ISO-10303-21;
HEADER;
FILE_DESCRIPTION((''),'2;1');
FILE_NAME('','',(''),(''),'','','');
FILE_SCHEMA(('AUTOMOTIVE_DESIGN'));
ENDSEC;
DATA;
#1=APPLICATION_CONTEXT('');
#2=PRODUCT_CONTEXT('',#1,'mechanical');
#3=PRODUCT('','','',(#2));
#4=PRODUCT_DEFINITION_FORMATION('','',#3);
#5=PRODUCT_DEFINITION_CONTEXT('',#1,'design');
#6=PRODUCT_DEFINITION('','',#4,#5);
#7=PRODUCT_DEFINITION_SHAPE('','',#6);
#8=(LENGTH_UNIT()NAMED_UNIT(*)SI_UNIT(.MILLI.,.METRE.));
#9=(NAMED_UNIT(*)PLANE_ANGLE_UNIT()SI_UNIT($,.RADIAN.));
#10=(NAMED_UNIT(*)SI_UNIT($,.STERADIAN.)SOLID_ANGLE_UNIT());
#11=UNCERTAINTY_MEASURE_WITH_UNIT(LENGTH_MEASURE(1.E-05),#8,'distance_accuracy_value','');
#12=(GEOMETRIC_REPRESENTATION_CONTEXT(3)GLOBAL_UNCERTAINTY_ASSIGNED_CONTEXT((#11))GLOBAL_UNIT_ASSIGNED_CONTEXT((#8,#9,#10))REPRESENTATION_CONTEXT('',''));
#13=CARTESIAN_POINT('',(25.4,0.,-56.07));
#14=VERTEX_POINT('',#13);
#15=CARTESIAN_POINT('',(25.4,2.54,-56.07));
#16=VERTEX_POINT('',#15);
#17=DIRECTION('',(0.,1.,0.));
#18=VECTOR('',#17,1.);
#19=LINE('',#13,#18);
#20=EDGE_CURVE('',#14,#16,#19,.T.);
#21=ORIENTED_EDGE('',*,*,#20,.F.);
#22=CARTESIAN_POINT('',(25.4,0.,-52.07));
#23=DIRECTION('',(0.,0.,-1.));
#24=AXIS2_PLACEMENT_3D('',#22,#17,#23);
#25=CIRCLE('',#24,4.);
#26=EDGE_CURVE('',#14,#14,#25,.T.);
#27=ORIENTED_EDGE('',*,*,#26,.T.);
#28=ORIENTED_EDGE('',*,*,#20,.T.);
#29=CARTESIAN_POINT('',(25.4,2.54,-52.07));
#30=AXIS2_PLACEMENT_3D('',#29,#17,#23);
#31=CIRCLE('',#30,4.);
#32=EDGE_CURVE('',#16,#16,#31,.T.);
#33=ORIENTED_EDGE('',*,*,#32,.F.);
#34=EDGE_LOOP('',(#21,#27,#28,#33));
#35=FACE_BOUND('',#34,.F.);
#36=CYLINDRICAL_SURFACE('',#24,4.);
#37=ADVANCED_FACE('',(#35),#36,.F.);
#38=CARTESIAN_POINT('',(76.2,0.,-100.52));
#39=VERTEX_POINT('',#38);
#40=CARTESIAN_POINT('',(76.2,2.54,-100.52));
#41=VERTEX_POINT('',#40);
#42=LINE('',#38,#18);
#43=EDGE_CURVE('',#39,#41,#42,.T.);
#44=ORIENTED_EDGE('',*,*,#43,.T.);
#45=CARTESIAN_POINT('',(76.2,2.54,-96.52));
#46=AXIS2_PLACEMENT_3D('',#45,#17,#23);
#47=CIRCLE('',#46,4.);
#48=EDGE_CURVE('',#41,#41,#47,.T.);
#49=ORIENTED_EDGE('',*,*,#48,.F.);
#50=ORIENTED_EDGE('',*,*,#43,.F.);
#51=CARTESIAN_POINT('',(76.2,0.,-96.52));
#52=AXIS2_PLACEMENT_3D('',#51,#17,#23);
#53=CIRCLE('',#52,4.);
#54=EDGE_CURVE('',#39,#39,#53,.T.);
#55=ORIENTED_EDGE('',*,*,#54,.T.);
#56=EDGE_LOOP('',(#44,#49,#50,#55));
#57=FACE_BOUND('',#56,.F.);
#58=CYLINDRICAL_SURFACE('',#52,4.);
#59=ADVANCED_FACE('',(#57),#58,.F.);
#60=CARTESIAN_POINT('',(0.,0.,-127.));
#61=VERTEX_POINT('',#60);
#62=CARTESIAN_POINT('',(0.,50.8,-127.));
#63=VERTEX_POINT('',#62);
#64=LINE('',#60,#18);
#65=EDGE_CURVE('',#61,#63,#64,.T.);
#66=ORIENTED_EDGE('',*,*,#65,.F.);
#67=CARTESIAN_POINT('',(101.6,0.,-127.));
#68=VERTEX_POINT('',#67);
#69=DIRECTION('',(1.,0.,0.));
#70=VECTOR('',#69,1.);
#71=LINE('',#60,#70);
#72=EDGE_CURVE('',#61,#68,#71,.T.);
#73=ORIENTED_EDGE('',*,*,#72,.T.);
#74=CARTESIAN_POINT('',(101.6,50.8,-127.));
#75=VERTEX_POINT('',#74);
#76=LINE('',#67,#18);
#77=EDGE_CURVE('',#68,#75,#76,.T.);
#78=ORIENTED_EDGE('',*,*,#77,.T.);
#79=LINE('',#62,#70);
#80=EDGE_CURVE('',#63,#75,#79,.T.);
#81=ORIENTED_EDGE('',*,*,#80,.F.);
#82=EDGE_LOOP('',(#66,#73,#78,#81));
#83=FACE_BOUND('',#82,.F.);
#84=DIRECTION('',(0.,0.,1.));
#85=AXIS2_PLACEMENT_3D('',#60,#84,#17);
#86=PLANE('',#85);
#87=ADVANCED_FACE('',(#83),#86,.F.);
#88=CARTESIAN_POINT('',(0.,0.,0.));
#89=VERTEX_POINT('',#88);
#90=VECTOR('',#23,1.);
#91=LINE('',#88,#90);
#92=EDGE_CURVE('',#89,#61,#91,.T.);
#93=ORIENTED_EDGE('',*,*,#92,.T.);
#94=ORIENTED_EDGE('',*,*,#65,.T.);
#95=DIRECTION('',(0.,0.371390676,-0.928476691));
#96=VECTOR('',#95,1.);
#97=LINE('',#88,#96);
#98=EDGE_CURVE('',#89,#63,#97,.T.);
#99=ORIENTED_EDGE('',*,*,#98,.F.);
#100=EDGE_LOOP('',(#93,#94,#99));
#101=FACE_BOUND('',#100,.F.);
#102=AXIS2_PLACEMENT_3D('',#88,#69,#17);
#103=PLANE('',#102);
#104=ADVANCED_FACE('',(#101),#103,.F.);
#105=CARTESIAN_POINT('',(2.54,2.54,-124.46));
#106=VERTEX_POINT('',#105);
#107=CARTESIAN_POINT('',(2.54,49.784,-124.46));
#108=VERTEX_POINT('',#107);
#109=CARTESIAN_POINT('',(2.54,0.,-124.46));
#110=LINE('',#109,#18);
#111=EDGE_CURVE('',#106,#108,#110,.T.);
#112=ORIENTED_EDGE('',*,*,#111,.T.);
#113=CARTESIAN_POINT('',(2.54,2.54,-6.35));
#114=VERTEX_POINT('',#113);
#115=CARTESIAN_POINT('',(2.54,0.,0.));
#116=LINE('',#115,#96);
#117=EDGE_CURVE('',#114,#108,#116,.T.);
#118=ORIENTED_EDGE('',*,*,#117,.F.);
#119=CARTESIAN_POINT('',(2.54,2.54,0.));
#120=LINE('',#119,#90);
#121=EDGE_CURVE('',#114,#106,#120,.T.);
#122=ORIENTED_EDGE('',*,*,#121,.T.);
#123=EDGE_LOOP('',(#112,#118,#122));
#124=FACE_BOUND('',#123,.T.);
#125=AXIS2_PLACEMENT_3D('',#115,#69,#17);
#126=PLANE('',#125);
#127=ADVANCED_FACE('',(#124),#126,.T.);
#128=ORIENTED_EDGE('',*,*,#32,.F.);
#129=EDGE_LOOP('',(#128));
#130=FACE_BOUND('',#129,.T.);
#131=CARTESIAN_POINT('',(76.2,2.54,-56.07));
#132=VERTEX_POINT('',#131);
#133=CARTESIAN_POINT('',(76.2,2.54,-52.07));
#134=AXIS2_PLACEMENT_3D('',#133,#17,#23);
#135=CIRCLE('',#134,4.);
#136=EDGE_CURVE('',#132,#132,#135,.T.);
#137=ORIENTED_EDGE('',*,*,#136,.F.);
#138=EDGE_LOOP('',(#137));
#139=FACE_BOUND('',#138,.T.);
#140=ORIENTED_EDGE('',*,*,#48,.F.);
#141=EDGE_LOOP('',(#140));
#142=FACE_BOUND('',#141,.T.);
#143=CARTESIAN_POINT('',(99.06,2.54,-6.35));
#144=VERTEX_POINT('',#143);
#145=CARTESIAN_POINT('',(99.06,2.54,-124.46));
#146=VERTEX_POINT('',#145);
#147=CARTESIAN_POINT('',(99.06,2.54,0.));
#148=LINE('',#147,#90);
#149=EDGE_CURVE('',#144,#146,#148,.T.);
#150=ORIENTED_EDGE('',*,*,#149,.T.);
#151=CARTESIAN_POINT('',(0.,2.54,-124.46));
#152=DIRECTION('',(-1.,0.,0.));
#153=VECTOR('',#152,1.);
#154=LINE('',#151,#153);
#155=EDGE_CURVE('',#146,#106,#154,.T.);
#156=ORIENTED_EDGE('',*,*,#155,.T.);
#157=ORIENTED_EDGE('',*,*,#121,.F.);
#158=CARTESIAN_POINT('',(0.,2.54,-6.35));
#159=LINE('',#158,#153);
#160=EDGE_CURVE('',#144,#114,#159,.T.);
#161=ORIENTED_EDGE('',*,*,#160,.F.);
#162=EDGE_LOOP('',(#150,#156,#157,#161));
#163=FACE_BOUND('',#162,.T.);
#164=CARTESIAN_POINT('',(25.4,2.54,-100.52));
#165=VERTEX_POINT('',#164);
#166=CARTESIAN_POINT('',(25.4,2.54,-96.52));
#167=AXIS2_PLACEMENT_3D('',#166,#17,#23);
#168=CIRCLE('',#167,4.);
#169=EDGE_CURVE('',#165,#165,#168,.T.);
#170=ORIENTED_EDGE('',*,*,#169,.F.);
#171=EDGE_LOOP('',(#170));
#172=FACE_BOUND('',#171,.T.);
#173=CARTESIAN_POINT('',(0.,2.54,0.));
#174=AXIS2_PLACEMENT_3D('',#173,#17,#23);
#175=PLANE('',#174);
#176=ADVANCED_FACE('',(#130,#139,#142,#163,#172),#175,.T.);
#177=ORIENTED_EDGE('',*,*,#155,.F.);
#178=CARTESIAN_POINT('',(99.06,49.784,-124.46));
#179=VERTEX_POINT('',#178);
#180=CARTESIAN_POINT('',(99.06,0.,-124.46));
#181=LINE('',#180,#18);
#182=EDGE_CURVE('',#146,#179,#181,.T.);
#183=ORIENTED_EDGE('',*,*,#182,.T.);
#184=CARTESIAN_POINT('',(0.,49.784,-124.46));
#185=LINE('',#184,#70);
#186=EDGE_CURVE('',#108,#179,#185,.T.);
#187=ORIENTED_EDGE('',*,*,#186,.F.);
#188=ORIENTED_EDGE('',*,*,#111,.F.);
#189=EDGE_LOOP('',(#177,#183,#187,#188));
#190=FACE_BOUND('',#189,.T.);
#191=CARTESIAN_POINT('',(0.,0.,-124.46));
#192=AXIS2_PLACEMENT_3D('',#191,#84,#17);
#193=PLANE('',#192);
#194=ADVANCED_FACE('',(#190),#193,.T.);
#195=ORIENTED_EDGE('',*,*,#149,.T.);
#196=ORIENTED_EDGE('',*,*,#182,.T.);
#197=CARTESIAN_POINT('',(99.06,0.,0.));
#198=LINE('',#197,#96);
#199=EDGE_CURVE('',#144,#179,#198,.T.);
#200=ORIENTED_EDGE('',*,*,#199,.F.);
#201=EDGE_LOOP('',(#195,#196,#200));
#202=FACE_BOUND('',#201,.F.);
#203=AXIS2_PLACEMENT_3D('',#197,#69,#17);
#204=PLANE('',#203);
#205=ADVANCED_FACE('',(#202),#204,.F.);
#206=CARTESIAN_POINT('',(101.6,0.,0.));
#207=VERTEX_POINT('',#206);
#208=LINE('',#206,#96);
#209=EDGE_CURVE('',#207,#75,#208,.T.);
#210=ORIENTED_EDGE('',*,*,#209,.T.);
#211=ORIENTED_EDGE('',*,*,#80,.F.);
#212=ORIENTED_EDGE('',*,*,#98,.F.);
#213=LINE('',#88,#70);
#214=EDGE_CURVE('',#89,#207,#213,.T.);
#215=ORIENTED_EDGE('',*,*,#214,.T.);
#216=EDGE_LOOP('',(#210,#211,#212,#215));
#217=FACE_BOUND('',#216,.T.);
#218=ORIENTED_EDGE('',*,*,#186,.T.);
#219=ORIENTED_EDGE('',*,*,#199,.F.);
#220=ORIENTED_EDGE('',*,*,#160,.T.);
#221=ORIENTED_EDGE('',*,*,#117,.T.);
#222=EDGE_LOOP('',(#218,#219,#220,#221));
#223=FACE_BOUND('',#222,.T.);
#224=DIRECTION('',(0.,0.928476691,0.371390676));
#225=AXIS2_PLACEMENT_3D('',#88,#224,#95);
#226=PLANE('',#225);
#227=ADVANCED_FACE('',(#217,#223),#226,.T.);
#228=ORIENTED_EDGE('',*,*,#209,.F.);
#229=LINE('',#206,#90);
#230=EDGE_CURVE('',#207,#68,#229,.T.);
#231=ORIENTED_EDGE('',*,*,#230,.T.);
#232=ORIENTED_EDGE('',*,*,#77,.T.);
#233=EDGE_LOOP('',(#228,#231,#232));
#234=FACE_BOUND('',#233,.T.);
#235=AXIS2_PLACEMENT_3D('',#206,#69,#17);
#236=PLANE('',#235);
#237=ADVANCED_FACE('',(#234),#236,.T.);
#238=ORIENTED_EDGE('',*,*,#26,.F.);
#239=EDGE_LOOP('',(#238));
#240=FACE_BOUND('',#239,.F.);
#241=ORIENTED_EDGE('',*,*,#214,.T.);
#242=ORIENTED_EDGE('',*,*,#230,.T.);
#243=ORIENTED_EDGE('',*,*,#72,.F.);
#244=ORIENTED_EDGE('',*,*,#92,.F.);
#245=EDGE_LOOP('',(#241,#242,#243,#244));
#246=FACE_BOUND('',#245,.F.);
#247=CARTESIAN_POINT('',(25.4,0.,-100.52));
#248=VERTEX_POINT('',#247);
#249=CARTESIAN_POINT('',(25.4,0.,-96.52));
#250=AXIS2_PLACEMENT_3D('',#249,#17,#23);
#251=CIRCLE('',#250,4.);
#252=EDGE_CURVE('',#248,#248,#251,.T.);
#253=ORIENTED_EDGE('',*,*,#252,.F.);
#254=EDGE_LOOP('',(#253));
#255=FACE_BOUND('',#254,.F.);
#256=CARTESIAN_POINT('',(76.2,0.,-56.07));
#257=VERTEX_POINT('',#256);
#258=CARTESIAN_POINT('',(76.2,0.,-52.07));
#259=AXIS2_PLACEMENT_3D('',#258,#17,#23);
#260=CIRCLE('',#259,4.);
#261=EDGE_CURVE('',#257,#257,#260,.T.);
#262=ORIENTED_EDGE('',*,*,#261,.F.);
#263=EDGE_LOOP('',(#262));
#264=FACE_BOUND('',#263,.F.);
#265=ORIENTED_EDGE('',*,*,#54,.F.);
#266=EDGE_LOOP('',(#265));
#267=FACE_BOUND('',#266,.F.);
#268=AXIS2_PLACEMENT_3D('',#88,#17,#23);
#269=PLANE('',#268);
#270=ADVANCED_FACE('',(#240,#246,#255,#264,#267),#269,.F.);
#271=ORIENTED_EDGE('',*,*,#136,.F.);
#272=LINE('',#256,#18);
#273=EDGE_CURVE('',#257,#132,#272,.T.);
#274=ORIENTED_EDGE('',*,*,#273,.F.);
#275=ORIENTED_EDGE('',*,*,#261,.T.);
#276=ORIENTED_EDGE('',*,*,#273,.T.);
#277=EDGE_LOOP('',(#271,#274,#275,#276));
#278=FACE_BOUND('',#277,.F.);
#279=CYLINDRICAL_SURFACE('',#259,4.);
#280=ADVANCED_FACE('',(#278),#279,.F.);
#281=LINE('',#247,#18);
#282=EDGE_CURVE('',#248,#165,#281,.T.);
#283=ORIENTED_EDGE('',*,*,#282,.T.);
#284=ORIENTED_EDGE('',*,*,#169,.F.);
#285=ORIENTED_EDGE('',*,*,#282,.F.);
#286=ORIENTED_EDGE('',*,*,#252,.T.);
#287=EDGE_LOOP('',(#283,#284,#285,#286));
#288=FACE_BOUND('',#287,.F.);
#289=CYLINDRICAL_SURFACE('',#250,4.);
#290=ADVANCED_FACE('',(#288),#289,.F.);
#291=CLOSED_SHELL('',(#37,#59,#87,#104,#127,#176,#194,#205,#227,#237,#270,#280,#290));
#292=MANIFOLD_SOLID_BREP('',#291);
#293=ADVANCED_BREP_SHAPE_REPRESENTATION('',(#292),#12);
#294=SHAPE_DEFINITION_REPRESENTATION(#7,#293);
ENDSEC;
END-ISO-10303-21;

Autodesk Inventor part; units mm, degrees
ref_plane "YZ Plane" through (0, 0, 0) normal (1, 0, 0) x (0, 1, 0)
ref_plane "XZ Plane" through (0, 0, 0) normal (0, 1, 0) x (-1, 0, 0)
ref_plane "XY Plane" through (0, 0, 0) normal (0, 0, 1) x (1, 0, 0)
sketch "Sketch1" plane through (0, 0, 0) normal (1, 0, 0) x (0, 1, 0)
  line L0 (0, 0) -> (0, -127)
  line L1 (0, -127) -> (50.8, -127)
  line L2 (0, 0) -> (50.8, -127)
  dimension "d0" = 127
  dimension "d1" = 50.8
extrude "Extrusion1" add sketch "Sketch1" along normal blind 101.6
shell "Shell1" thickness 2.54 removed faces 1 at (33.8667, 33.8667, -84.6667)
sketch "Sketch2" plane through (0, 0, -127) normal (0, -1, 0) x (1, 0, 0)
  line L0 (0, 127) -> (0, 0) projected
  line L1 (0, 0) -> (101.6, 0) projected
  line L2 (101.6, 127) -> (101.6, 0) projected
  line L3 (0, 127) -> (101.6, 127) projected
  point P0 (25.4, 30.48)
  point P1 (25.4, 74.93)
  point P2 (76.2, 74.93)
  point P3 (76.2, 30.48)
  dimension "d5" = 30.48
  dimension "d6" = 30.48
  dimension "d7" = 25.4
  dimension "d8" = 25.4
  dimension "d9" = 25.4
  dimension "d10" = 25.4
  dimension "d11" = 44.45
  dimension "d12" = 44.45
hole "Hole1" at (25.4, 0, -96.52) at (25.4, 0, -52.07) at (76.2, 0, -52.07) at (76.2, 0, -96.52) direction (0, 1, 0) diameter 8 depth 19.05 tip angle 118
equation "\"d6\" = d5"
equation "\"d8\" = d7"
equation "\"d9\" = d7"
equation "\"d10\" = d7"
equation "\"d12\" = d11"
properties part number "Bucket" material "Aluminum 6061"
